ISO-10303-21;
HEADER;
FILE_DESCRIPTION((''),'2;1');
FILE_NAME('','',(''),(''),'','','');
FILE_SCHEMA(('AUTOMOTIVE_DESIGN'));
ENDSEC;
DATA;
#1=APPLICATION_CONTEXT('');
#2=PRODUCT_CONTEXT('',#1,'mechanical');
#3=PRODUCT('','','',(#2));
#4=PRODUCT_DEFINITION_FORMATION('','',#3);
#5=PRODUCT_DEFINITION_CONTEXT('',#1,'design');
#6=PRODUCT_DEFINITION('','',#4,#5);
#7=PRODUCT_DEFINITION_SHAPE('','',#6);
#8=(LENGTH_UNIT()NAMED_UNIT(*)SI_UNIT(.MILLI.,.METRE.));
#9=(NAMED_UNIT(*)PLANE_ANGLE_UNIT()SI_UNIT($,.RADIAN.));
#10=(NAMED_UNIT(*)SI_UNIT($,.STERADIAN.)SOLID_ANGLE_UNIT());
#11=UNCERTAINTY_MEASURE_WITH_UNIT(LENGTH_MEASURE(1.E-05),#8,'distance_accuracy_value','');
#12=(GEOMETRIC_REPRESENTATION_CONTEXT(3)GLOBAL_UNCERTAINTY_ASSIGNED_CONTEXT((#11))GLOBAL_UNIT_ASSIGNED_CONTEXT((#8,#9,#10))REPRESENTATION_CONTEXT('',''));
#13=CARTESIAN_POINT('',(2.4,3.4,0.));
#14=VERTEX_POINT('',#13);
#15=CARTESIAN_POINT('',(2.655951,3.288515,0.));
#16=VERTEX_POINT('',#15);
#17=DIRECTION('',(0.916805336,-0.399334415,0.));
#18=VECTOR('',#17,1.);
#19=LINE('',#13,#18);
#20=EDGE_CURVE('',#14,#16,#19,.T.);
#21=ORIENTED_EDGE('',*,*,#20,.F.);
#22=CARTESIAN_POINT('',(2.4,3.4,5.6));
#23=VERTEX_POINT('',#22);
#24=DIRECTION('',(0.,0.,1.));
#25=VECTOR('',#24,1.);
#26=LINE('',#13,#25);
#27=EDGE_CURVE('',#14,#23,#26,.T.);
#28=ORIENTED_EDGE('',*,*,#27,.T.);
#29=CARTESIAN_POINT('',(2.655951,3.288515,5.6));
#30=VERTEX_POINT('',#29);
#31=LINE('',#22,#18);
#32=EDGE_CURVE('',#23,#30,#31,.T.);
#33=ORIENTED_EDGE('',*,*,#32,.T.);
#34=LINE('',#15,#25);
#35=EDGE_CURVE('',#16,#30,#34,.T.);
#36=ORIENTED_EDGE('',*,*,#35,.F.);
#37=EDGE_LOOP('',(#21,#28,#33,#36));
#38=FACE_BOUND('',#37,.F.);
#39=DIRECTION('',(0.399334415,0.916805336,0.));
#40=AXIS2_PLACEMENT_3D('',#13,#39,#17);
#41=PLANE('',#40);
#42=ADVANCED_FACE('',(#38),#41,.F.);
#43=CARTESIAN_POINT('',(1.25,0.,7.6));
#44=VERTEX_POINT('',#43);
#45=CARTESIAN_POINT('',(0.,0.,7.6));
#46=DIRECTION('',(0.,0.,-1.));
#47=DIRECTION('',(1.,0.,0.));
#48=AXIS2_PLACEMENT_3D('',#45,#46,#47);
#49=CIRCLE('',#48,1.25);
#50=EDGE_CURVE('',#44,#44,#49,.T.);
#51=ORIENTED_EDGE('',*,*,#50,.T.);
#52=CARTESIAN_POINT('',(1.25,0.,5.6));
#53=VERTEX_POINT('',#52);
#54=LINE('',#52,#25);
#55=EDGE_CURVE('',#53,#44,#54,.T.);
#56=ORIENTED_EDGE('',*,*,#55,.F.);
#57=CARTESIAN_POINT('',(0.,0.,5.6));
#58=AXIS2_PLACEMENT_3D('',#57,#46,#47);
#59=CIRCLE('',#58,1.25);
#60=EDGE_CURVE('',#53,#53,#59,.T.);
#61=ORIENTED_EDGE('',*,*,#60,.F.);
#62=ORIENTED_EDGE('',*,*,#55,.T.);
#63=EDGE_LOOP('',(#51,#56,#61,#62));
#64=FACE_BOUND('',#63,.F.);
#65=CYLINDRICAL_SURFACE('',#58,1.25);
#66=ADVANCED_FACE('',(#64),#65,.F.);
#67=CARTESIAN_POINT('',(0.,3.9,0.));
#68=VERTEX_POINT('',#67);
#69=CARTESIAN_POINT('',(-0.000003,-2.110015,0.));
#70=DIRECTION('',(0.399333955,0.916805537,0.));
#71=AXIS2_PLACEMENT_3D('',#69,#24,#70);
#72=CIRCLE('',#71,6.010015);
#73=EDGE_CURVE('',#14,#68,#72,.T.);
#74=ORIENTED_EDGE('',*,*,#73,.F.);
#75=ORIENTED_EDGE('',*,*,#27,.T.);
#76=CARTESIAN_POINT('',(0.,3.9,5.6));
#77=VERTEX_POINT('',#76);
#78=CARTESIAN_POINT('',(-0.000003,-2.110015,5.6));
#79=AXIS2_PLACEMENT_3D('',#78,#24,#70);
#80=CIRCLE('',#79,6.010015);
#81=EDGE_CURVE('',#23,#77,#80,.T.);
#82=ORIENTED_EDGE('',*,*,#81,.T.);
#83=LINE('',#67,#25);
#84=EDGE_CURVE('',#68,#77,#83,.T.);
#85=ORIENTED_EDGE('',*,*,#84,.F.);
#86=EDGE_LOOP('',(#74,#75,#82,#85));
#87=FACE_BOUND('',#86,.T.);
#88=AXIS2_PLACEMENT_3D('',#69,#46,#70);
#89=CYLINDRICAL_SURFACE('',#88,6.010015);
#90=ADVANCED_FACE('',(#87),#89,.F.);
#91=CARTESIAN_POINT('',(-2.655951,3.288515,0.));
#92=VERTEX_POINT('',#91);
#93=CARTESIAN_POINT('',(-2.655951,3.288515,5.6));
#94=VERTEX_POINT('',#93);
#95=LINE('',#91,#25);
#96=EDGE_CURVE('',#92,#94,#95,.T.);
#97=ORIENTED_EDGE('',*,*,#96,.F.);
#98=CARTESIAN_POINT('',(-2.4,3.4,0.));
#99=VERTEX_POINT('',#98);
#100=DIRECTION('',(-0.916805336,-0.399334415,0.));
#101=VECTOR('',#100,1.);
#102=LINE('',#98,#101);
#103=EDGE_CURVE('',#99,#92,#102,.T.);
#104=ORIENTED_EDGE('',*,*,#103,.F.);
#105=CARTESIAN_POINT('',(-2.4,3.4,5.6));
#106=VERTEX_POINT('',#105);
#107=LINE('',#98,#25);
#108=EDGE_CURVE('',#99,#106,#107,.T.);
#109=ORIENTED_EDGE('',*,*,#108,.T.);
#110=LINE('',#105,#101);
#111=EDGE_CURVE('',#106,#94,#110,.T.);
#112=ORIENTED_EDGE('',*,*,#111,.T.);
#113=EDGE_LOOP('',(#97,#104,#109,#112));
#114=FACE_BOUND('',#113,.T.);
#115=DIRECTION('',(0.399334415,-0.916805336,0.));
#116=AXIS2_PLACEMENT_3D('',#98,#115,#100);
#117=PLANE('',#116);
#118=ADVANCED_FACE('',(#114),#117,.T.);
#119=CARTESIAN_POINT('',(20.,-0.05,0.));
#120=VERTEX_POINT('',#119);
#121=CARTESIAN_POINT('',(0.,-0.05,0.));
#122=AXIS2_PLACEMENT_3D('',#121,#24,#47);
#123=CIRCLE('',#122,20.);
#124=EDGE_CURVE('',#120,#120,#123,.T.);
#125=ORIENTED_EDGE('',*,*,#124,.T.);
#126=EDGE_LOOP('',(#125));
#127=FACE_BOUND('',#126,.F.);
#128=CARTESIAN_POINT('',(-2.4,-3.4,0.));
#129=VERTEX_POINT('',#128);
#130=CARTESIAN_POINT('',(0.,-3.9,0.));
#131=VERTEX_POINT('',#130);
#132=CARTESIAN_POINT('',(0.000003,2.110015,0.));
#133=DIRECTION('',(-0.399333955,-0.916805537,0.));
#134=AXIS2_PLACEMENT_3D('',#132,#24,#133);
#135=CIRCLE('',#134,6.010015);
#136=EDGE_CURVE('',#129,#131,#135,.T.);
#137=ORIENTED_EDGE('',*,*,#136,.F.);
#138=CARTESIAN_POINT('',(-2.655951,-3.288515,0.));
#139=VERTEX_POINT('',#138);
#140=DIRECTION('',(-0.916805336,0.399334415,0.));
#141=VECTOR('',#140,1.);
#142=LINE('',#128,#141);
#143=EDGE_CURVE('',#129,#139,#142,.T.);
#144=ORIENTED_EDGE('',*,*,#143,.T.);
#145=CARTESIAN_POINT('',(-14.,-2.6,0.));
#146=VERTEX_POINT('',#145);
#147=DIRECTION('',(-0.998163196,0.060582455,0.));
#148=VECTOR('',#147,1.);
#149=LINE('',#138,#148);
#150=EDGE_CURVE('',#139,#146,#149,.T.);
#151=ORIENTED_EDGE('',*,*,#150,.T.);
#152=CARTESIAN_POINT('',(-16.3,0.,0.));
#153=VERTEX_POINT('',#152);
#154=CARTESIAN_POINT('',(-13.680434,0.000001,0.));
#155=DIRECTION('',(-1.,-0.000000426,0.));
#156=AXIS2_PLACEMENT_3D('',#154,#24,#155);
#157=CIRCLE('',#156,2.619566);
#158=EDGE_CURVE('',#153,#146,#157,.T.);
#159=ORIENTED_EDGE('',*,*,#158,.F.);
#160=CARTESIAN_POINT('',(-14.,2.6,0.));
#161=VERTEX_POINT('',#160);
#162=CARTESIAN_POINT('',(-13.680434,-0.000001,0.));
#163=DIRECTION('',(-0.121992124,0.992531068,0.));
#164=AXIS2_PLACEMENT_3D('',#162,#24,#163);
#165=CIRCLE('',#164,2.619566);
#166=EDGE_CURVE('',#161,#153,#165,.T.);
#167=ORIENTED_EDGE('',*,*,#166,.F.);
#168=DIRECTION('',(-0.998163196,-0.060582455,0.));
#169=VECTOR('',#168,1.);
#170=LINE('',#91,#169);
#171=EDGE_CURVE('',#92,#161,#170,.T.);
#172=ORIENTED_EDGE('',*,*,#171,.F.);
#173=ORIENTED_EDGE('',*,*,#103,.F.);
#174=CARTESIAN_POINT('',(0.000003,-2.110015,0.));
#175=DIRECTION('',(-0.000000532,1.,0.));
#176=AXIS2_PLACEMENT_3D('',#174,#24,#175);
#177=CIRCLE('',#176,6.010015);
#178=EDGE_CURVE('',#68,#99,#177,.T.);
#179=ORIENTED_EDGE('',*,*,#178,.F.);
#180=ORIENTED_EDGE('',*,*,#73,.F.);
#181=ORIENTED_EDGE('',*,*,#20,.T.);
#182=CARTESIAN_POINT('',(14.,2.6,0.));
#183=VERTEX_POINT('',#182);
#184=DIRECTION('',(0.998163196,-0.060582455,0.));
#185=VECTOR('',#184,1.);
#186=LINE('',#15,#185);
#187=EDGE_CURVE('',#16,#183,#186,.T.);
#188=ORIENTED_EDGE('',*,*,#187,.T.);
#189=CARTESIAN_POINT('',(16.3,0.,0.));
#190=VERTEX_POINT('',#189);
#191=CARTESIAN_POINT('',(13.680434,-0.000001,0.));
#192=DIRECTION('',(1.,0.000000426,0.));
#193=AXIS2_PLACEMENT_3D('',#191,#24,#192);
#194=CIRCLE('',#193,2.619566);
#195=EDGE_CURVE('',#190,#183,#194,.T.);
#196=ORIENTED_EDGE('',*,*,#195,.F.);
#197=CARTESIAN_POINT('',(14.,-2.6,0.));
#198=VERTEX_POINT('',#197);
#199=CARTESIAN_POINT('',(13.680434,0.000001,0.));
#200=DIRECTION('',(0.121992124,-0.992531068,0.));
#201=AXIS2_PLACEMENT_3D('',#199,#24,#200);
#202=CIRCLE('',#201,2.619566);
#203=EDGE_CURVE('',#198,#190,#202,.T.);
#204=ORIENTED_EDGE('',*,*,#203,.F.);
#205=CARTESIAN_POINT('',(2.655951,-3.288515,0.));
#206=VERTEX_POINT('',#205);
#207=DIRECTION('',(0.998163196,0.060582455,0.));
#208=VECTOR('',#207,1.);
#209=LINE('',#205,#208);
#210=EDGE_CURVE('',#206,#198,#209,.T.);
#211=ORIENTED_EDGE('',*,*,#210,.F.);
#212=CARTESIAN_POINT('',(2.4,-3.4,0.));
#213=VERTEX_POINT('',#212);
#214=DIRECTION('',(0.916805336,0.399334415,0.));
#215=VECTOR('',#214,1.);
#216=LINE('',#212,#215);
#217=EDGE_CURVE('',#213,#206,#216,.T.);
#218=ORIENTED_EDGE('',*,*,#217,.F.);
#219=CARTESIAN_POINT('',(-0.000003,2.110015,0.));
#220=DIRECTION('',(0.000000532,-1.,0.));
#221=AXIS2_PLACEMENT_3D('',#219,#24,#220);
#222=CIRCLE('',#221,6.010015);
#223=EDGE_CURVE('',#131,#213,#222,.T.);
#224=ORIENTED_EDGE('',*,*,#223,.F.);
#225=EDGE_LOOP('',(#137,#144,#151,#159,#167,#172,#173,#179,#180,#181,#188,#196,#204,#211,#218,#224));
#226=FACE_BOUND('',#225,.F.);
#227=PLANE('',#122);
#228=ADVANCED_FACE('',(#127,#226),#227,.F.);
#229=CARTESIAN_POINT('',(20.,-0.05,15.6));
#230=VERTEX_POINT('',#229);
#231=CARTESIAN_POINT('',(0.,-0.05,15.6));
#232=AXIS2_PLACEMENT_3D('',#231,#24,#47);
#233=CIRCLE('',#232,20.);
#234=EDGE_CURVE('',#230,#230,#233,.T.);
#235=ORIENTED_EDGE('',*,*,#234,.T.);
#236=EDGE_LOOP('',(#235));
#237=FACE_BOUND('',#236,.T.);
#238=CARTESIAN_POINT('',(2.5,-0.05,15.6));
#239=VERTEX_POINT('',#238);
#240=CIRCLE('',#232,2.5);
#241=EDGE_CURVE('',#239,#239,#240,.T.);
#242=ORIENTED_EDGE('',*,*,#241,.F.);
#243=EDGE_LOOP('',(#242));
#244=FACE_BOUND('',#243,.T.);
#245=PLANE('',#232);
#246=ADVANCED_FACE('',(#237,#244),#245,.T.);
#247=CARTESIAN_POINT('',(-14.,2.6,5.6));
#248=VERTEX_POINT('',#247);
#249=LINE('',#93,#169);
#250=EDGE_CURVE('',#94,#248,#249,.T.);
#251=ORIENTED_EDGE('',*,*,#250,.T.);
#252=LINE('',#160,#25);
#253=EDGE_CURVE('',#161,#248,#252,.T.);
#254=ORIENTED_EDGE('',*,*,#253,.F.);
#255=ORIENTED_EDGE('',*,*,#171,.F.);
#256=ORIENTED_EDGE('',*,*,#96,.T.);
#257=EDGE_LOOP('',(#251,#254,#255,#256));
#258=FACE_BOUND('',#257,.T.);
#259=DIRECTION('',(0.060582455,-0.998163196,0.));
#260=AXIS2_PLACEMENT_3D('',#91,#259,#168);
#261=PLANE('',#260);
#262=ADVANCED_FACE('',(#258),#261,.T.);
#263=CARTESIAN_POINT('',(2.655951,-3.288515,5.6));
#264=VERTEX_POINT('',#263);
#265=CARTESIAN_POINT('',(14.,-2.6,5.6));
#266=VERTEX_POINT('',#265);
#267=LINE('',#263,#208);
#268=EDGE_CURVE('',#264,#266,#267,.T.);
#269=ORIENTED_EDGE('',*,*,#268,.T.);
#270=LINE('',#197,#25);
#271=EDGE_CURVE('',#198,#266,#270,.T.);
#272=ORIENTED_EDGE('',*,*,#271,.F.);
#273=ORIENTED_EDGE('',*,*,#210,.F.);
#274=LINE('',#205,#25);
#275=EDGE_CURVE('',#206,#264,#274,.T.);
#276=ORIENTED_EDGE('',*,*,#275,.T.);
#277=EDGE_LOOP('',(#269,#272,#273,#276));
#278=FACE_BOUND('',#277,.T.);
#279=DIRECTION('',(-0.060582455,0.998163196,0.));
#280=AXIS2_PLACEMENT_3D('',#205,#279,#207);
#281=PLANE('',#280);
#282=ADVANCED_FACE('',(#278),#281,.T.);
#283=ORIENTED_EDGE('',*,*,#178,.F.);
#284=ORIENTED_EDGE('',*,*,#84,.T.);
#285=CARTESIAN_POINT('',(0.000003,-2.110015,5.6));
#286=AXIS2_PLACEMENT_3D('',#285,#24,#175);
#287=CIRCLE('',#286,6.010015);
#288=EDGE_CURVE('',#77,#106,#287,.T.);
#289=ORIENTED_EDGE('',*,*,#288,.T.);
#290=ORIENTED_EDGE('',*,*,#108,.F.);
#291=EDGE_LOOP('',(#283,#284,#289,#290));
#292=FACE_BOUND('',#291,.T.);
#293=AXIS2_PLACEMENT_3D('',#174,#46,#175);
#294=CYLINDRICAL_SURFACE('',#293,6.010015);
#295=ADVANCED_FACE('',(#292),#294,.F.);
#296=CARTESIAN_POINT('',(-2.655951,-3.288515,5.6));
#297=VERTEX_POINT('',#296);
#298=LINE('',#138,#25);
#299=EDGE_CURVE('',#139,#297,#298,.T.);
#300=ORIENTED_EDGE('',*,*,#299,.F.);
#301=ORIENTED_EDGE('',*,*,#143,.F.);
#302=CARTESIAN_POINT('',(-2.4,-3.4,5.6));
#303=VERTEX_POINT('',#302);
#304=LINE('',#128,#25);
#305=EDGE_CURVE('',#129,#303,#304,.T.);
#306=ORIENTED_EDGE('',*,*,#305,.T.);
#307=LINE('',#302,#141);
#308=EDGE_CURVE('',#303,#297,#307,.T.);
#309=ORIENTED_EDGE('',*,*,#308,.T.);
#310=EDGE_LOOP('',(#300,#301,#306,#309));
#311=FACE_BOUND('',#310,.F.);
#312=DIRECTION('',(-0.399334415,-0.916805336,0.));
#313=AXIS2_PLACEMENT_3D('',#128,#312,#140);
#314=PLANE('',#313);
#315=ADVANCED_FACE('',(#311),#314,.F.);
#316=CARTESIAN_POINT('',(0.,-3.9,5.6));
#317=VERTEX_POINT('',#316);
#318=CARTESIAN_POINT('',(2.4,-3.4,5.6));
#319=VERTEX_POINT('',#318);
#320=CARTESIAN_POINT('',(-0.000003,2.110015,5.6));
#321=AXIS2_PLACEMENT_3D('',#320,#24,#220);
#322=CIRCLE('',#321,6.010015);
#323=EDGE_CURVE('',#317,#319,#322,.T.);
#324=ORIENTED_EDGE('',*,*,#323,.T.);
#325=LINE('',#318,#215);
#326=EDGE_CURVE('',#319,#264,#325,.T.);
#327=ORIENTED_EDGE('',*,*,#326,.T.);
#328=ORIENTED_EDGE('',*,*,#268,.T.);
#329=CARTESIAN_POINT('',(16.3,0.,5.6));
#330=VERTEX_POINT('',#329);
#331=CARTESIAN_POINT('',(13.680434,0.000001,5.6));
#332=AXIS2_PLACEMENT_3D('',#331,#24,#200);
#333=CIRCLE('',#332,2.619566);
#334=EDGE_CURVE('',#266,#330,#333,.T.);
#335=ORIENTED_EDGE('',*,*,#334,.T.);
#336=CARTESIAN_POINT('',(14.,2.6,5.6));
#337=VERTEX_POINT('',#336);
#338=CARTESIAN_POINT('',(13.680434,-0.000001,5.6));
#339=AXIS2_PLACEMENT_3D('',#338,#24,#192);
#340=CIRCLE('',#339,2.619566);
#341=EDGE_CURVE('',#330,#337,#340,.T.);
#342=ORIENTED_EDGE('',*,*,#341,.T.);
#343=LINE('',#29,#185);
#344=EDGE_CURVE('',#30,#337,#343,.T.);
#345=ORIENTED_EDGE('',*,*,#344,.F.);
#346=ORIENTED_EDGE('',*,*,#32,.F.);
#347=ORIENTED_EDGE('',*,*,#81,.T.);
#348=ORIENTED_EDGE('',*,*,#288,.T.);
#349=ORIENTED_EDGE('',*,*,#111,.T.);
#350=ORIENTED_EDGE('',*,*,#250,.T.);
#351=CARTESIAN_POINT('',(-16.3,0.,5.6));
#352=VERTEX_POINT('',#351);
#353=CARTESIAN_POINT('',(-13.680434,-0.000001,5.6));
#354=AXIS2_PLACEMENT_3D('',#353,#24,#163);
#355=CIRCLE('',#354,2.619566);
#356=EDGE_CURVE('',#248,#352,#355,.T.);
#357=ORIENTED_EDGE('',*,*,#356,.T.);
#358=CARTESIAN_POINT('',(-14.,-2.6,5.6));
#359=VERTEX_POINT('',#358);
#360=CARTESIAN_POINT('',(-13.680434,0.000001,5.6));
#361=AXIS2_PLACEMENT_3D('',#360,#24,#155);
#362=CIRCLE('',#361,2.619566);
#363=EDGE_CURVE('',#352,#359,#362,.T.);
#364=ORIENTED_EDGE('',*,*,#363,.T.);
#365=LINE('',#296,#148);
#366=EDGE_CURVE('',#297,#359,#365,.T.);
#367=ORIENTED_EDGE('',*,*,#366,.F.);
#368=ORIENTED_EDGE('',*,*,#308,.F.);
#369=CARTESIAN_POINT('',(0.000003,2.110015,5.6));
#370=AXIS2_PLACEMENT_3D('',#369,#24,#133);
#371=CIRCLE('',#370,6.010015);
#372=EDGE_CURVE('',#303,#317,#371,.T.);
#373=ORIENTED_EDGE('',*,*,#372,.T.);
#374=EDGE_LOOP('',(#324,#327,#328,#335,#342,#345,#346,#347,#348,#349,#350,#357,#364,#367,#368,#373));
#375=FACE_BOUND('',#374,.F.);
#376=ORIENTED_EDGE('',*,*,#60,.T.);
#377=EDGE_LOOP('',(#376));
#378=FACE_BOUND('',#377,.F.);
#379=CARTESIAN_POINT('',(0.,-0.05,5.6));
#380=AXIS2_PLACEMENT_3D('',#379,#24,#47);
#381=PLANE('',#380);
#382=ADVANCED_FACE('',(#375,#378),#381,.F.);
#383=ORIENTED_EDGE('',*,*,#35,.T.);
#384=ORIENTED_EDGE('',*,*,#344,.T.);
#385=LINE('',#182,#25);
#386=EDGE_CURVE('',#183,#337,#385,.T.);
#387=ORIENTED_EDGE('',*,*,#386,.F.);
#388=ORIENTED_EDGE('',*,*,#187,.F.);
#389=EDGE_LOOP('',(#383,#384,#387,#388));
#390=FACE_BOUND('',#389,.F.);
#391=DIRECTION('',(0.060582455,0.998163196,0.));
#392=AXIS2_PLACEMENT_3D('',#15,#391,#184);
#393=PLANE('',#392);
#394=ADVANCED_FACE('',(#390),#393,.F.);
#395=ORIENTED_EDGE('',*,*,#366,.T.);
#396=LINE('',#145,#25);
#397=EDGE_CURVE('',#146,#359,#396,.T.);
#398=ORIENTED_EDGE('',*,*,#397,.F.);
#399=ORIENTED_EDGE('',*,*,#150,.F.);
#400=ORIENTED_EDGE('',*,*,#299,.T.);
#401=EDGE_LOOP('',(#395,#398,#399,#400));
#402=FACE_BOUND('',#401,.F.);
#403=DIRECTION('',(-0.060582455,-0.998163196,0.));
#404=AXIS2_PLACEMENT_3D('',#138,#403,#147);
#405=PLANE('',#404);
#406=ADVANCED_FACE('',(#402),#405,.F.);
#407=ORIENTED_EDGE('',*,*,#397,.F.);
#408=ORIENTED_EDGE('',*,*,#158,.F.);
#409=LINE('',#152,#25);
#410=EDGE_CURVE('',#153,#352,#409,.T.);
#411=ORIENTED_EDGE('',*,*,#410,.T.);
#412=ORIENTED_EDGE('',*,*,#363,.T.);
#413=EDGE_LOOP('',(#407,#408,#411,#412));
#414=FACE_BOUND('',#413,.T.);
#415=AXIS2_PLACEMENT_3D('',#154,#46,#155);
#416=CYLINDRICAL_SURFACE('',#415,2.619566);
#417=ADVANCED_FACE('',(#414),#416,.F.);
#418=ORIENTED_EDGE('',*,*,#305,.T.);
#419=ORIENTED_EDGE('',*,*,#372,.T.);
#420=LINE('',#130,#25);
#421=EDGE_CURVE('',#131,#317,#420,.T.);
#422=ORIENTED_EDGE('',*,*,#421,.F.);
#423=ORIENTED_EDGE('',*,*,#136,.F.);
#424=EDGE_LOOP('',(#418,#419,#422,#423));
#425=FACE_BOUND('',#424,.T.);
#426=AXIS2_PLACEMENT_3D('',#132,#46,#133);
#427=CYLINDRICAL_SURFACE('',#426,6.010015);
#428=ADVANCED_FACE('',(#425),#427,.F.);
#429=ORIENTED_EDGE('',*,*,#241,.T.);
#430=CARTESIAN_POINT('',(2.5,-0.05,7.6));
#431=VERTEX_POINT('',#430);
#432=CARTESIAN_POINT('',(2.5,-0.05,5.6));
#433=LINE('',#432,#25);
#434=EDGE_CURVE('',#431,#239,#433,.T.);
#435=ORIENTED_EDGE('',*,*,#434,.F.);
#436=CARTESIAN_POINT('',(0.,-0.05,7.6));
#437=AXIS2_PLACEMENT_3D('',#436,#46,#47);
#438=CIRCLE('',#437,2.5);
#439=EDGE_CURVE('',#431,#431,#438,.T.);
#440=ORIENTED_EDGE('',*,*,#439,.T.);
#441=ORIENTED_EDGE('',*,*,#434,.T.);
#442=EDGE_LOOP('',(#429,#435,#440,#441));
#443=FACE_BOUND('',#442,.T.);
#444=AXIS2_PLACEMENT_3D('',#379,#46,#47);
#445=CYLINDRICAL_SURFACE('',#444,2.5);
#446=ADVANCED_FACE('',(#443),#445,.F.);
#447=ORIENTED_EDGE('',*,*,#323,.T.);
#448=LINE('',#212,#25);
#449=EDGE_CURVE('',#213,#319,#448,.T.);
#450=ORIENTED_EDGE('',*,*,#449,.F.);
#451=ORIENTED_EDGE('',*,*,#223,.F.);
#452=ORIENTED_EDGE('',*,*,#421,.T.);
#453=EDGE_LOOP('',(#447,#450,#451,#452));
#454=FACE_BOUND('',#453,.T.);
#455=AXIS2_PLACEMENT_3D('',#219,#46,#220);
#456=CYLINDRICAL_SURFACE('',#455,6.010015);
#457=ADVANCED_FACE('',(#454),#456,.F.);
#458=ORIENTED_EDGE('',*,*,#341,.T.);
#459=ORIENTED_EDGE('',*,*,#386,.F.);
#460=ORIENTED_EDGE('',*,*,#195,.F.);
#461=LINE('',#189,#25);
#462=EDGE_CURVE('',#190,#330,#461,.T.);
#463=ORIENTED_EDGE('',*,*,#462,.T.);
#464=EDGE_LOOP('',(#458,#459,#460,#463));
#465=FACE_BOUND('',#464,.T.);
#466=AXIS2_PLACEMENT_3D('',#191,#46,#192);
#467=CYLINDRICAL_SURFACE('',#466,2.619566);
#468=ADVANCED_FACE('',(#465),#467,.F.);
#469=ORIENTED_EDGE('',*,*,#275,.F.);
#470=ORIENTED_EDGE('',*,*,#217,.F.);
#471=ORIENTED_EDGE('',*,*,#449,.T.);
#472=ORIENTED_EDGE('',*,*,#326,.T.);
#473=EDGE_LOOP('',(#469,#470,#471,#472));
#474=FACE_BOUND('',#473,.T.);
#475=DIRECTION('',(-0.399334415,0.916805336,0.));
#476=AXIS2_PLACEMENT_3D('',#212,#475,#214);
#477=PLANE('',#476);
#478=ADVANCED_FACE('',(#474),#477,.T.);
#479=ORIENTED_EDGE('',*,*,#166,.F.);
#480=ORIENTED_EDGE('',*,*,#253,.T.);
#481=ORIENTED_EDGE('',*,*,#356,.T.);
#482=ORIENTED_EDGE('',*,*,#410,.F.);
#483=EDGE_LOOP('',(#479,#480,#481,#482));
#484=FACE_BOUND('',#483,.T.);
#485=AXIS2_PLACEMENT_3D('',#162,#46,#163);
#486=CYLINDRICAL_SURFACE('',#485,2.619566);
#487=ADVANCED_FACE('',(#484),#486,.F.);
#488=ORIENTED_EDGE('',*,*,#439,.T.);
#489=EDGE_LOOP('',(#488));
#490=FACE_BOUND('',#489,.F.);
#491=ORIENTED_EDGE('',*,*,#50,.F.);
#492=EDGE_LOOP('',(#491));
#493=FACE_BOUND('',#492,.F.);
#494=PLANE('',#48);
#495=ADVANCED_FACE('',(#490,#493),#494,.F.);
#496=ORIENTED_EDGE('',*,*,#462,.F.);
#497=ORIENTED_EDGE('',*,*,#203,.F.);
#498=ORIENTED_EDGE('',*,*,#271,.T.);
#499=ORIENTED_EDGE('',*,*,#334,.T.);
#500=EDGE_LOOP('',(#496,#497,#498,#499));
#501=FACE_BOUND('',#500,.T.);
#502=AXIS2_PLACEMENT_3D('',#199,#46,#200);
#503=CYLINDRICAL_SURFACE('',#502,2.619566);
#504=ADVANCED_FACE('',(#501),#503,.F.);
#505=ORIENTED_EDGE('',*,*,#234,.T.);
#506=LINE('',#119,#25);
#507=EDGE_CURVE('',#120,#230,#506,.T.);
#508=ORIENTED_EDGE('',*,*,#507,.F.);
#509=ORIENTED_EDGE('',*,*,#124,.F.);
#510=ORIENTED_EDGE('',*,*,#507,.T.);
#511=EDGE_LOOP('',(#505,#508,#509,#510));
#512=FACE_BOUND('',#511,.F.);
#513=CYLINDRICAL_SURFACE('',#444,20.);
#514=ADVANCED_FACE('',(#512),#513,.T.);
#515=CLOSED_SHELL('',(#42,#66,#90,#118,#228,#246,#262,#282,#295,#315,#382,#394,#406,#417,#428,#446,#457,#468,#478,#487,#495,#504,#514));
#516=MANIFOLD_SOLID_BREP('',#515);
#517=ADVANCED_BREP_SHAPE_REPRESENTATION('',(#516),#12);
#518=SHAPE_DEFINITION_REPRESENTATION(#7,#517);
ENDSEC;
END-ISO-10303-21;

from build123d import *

# Parameters (mm, degrees)
SKETCH026_R   = 20
PAD004_DEPTH  = 5.6
SKETCH027_R   = 20
SKETCH027_R_2 = 2.5
PAD005_DEPTH  = 10
SKETCH028_R   = 3.07
SKETCH028_R_2 = 1.25
PAD006_DEPTH  = 2


with BuildPart() as part:
    # Sketch026 → Pad004 (new body)
    with BuildSketch(Plane.XY):
        with Locations((0, -0.05)):
            Circle(SKETCH026_R)
        with BuildLine():
            ThreePointArc((0, 3.9), (-1.225765, 3.773672), (-2.4, 3.4))
            Line((-2.4, 3.4), (-2.655951, 3.288515))
            Line((-2.655951, 3.288515), (-14, 2.6))
            ThreePointArc((-14, 2.6), (-15.64248, 1.735655), (-16.3, 0))
            ThreePointArc((-16.3, 0), (-15.64248, -1.735655), (-14, -2.6))
            Line((-2.655951, -3.288515), (-14, -2.6))
            Line((-2.4, -3.4), (-2.655951, -3.288515))
            ThreePointArc((-2.4, -3.4), (-1.225765, -3.773672), (0, -3.9))
            ThreePointArc((0, -3.9), (1.225765, -3.773672), (2.4, -3.4))
            Line((2.4, -3.4), (2.655951, -3.288515))
            Line((2.655951, -3.288515), (14, -2.6))
            ThreePointArc((14, -2.6), (15.64248, -1.735655), (16.3, 0))
            ThreePointArc((16.3, 0), (15.64248, 1.735655), (14, 2.6))
            Line((2.655951, 3.288515), (14, 2.6))
            Line((2.4, 3.4), (2.655951, 3.288515))
            ThreePointArc((2.4, 3.4), (1.225765, 3.773672), (0, 3.9))
        make_face(mode=Mode.SUBTRACT)
    extrude(amount=PAD004_DEPTH)

    # Sketch027 (on Face11 of Pad004) → Pad005 (join)
    with BuildSketch(Plane.XY.offset(5.6)):
        with Locations((0, -0.05)):
            Circle(SKETCH027_R)
        with Locations((0, -0.05)):
            Circle(SKETCH027_R_2, mode=Mode.SUBTRACT)
    extrude(amount=PAD005_DEPTH)

    # Sketch028 (on Face14 of Pad005) → Pad006 (join)
    with BuildSketch(Plane(origin=(0, 0, 5.6), x_dir=(1, 0, 0), z_dir=(0, 0, -1))):
        Circle(SKETCH028_R)
        Circle(SKETCH028_R_2, mode=Mode.SUBTRACT)
    extrude(amount=-PAD006_DEPTH)


solid = part.part
